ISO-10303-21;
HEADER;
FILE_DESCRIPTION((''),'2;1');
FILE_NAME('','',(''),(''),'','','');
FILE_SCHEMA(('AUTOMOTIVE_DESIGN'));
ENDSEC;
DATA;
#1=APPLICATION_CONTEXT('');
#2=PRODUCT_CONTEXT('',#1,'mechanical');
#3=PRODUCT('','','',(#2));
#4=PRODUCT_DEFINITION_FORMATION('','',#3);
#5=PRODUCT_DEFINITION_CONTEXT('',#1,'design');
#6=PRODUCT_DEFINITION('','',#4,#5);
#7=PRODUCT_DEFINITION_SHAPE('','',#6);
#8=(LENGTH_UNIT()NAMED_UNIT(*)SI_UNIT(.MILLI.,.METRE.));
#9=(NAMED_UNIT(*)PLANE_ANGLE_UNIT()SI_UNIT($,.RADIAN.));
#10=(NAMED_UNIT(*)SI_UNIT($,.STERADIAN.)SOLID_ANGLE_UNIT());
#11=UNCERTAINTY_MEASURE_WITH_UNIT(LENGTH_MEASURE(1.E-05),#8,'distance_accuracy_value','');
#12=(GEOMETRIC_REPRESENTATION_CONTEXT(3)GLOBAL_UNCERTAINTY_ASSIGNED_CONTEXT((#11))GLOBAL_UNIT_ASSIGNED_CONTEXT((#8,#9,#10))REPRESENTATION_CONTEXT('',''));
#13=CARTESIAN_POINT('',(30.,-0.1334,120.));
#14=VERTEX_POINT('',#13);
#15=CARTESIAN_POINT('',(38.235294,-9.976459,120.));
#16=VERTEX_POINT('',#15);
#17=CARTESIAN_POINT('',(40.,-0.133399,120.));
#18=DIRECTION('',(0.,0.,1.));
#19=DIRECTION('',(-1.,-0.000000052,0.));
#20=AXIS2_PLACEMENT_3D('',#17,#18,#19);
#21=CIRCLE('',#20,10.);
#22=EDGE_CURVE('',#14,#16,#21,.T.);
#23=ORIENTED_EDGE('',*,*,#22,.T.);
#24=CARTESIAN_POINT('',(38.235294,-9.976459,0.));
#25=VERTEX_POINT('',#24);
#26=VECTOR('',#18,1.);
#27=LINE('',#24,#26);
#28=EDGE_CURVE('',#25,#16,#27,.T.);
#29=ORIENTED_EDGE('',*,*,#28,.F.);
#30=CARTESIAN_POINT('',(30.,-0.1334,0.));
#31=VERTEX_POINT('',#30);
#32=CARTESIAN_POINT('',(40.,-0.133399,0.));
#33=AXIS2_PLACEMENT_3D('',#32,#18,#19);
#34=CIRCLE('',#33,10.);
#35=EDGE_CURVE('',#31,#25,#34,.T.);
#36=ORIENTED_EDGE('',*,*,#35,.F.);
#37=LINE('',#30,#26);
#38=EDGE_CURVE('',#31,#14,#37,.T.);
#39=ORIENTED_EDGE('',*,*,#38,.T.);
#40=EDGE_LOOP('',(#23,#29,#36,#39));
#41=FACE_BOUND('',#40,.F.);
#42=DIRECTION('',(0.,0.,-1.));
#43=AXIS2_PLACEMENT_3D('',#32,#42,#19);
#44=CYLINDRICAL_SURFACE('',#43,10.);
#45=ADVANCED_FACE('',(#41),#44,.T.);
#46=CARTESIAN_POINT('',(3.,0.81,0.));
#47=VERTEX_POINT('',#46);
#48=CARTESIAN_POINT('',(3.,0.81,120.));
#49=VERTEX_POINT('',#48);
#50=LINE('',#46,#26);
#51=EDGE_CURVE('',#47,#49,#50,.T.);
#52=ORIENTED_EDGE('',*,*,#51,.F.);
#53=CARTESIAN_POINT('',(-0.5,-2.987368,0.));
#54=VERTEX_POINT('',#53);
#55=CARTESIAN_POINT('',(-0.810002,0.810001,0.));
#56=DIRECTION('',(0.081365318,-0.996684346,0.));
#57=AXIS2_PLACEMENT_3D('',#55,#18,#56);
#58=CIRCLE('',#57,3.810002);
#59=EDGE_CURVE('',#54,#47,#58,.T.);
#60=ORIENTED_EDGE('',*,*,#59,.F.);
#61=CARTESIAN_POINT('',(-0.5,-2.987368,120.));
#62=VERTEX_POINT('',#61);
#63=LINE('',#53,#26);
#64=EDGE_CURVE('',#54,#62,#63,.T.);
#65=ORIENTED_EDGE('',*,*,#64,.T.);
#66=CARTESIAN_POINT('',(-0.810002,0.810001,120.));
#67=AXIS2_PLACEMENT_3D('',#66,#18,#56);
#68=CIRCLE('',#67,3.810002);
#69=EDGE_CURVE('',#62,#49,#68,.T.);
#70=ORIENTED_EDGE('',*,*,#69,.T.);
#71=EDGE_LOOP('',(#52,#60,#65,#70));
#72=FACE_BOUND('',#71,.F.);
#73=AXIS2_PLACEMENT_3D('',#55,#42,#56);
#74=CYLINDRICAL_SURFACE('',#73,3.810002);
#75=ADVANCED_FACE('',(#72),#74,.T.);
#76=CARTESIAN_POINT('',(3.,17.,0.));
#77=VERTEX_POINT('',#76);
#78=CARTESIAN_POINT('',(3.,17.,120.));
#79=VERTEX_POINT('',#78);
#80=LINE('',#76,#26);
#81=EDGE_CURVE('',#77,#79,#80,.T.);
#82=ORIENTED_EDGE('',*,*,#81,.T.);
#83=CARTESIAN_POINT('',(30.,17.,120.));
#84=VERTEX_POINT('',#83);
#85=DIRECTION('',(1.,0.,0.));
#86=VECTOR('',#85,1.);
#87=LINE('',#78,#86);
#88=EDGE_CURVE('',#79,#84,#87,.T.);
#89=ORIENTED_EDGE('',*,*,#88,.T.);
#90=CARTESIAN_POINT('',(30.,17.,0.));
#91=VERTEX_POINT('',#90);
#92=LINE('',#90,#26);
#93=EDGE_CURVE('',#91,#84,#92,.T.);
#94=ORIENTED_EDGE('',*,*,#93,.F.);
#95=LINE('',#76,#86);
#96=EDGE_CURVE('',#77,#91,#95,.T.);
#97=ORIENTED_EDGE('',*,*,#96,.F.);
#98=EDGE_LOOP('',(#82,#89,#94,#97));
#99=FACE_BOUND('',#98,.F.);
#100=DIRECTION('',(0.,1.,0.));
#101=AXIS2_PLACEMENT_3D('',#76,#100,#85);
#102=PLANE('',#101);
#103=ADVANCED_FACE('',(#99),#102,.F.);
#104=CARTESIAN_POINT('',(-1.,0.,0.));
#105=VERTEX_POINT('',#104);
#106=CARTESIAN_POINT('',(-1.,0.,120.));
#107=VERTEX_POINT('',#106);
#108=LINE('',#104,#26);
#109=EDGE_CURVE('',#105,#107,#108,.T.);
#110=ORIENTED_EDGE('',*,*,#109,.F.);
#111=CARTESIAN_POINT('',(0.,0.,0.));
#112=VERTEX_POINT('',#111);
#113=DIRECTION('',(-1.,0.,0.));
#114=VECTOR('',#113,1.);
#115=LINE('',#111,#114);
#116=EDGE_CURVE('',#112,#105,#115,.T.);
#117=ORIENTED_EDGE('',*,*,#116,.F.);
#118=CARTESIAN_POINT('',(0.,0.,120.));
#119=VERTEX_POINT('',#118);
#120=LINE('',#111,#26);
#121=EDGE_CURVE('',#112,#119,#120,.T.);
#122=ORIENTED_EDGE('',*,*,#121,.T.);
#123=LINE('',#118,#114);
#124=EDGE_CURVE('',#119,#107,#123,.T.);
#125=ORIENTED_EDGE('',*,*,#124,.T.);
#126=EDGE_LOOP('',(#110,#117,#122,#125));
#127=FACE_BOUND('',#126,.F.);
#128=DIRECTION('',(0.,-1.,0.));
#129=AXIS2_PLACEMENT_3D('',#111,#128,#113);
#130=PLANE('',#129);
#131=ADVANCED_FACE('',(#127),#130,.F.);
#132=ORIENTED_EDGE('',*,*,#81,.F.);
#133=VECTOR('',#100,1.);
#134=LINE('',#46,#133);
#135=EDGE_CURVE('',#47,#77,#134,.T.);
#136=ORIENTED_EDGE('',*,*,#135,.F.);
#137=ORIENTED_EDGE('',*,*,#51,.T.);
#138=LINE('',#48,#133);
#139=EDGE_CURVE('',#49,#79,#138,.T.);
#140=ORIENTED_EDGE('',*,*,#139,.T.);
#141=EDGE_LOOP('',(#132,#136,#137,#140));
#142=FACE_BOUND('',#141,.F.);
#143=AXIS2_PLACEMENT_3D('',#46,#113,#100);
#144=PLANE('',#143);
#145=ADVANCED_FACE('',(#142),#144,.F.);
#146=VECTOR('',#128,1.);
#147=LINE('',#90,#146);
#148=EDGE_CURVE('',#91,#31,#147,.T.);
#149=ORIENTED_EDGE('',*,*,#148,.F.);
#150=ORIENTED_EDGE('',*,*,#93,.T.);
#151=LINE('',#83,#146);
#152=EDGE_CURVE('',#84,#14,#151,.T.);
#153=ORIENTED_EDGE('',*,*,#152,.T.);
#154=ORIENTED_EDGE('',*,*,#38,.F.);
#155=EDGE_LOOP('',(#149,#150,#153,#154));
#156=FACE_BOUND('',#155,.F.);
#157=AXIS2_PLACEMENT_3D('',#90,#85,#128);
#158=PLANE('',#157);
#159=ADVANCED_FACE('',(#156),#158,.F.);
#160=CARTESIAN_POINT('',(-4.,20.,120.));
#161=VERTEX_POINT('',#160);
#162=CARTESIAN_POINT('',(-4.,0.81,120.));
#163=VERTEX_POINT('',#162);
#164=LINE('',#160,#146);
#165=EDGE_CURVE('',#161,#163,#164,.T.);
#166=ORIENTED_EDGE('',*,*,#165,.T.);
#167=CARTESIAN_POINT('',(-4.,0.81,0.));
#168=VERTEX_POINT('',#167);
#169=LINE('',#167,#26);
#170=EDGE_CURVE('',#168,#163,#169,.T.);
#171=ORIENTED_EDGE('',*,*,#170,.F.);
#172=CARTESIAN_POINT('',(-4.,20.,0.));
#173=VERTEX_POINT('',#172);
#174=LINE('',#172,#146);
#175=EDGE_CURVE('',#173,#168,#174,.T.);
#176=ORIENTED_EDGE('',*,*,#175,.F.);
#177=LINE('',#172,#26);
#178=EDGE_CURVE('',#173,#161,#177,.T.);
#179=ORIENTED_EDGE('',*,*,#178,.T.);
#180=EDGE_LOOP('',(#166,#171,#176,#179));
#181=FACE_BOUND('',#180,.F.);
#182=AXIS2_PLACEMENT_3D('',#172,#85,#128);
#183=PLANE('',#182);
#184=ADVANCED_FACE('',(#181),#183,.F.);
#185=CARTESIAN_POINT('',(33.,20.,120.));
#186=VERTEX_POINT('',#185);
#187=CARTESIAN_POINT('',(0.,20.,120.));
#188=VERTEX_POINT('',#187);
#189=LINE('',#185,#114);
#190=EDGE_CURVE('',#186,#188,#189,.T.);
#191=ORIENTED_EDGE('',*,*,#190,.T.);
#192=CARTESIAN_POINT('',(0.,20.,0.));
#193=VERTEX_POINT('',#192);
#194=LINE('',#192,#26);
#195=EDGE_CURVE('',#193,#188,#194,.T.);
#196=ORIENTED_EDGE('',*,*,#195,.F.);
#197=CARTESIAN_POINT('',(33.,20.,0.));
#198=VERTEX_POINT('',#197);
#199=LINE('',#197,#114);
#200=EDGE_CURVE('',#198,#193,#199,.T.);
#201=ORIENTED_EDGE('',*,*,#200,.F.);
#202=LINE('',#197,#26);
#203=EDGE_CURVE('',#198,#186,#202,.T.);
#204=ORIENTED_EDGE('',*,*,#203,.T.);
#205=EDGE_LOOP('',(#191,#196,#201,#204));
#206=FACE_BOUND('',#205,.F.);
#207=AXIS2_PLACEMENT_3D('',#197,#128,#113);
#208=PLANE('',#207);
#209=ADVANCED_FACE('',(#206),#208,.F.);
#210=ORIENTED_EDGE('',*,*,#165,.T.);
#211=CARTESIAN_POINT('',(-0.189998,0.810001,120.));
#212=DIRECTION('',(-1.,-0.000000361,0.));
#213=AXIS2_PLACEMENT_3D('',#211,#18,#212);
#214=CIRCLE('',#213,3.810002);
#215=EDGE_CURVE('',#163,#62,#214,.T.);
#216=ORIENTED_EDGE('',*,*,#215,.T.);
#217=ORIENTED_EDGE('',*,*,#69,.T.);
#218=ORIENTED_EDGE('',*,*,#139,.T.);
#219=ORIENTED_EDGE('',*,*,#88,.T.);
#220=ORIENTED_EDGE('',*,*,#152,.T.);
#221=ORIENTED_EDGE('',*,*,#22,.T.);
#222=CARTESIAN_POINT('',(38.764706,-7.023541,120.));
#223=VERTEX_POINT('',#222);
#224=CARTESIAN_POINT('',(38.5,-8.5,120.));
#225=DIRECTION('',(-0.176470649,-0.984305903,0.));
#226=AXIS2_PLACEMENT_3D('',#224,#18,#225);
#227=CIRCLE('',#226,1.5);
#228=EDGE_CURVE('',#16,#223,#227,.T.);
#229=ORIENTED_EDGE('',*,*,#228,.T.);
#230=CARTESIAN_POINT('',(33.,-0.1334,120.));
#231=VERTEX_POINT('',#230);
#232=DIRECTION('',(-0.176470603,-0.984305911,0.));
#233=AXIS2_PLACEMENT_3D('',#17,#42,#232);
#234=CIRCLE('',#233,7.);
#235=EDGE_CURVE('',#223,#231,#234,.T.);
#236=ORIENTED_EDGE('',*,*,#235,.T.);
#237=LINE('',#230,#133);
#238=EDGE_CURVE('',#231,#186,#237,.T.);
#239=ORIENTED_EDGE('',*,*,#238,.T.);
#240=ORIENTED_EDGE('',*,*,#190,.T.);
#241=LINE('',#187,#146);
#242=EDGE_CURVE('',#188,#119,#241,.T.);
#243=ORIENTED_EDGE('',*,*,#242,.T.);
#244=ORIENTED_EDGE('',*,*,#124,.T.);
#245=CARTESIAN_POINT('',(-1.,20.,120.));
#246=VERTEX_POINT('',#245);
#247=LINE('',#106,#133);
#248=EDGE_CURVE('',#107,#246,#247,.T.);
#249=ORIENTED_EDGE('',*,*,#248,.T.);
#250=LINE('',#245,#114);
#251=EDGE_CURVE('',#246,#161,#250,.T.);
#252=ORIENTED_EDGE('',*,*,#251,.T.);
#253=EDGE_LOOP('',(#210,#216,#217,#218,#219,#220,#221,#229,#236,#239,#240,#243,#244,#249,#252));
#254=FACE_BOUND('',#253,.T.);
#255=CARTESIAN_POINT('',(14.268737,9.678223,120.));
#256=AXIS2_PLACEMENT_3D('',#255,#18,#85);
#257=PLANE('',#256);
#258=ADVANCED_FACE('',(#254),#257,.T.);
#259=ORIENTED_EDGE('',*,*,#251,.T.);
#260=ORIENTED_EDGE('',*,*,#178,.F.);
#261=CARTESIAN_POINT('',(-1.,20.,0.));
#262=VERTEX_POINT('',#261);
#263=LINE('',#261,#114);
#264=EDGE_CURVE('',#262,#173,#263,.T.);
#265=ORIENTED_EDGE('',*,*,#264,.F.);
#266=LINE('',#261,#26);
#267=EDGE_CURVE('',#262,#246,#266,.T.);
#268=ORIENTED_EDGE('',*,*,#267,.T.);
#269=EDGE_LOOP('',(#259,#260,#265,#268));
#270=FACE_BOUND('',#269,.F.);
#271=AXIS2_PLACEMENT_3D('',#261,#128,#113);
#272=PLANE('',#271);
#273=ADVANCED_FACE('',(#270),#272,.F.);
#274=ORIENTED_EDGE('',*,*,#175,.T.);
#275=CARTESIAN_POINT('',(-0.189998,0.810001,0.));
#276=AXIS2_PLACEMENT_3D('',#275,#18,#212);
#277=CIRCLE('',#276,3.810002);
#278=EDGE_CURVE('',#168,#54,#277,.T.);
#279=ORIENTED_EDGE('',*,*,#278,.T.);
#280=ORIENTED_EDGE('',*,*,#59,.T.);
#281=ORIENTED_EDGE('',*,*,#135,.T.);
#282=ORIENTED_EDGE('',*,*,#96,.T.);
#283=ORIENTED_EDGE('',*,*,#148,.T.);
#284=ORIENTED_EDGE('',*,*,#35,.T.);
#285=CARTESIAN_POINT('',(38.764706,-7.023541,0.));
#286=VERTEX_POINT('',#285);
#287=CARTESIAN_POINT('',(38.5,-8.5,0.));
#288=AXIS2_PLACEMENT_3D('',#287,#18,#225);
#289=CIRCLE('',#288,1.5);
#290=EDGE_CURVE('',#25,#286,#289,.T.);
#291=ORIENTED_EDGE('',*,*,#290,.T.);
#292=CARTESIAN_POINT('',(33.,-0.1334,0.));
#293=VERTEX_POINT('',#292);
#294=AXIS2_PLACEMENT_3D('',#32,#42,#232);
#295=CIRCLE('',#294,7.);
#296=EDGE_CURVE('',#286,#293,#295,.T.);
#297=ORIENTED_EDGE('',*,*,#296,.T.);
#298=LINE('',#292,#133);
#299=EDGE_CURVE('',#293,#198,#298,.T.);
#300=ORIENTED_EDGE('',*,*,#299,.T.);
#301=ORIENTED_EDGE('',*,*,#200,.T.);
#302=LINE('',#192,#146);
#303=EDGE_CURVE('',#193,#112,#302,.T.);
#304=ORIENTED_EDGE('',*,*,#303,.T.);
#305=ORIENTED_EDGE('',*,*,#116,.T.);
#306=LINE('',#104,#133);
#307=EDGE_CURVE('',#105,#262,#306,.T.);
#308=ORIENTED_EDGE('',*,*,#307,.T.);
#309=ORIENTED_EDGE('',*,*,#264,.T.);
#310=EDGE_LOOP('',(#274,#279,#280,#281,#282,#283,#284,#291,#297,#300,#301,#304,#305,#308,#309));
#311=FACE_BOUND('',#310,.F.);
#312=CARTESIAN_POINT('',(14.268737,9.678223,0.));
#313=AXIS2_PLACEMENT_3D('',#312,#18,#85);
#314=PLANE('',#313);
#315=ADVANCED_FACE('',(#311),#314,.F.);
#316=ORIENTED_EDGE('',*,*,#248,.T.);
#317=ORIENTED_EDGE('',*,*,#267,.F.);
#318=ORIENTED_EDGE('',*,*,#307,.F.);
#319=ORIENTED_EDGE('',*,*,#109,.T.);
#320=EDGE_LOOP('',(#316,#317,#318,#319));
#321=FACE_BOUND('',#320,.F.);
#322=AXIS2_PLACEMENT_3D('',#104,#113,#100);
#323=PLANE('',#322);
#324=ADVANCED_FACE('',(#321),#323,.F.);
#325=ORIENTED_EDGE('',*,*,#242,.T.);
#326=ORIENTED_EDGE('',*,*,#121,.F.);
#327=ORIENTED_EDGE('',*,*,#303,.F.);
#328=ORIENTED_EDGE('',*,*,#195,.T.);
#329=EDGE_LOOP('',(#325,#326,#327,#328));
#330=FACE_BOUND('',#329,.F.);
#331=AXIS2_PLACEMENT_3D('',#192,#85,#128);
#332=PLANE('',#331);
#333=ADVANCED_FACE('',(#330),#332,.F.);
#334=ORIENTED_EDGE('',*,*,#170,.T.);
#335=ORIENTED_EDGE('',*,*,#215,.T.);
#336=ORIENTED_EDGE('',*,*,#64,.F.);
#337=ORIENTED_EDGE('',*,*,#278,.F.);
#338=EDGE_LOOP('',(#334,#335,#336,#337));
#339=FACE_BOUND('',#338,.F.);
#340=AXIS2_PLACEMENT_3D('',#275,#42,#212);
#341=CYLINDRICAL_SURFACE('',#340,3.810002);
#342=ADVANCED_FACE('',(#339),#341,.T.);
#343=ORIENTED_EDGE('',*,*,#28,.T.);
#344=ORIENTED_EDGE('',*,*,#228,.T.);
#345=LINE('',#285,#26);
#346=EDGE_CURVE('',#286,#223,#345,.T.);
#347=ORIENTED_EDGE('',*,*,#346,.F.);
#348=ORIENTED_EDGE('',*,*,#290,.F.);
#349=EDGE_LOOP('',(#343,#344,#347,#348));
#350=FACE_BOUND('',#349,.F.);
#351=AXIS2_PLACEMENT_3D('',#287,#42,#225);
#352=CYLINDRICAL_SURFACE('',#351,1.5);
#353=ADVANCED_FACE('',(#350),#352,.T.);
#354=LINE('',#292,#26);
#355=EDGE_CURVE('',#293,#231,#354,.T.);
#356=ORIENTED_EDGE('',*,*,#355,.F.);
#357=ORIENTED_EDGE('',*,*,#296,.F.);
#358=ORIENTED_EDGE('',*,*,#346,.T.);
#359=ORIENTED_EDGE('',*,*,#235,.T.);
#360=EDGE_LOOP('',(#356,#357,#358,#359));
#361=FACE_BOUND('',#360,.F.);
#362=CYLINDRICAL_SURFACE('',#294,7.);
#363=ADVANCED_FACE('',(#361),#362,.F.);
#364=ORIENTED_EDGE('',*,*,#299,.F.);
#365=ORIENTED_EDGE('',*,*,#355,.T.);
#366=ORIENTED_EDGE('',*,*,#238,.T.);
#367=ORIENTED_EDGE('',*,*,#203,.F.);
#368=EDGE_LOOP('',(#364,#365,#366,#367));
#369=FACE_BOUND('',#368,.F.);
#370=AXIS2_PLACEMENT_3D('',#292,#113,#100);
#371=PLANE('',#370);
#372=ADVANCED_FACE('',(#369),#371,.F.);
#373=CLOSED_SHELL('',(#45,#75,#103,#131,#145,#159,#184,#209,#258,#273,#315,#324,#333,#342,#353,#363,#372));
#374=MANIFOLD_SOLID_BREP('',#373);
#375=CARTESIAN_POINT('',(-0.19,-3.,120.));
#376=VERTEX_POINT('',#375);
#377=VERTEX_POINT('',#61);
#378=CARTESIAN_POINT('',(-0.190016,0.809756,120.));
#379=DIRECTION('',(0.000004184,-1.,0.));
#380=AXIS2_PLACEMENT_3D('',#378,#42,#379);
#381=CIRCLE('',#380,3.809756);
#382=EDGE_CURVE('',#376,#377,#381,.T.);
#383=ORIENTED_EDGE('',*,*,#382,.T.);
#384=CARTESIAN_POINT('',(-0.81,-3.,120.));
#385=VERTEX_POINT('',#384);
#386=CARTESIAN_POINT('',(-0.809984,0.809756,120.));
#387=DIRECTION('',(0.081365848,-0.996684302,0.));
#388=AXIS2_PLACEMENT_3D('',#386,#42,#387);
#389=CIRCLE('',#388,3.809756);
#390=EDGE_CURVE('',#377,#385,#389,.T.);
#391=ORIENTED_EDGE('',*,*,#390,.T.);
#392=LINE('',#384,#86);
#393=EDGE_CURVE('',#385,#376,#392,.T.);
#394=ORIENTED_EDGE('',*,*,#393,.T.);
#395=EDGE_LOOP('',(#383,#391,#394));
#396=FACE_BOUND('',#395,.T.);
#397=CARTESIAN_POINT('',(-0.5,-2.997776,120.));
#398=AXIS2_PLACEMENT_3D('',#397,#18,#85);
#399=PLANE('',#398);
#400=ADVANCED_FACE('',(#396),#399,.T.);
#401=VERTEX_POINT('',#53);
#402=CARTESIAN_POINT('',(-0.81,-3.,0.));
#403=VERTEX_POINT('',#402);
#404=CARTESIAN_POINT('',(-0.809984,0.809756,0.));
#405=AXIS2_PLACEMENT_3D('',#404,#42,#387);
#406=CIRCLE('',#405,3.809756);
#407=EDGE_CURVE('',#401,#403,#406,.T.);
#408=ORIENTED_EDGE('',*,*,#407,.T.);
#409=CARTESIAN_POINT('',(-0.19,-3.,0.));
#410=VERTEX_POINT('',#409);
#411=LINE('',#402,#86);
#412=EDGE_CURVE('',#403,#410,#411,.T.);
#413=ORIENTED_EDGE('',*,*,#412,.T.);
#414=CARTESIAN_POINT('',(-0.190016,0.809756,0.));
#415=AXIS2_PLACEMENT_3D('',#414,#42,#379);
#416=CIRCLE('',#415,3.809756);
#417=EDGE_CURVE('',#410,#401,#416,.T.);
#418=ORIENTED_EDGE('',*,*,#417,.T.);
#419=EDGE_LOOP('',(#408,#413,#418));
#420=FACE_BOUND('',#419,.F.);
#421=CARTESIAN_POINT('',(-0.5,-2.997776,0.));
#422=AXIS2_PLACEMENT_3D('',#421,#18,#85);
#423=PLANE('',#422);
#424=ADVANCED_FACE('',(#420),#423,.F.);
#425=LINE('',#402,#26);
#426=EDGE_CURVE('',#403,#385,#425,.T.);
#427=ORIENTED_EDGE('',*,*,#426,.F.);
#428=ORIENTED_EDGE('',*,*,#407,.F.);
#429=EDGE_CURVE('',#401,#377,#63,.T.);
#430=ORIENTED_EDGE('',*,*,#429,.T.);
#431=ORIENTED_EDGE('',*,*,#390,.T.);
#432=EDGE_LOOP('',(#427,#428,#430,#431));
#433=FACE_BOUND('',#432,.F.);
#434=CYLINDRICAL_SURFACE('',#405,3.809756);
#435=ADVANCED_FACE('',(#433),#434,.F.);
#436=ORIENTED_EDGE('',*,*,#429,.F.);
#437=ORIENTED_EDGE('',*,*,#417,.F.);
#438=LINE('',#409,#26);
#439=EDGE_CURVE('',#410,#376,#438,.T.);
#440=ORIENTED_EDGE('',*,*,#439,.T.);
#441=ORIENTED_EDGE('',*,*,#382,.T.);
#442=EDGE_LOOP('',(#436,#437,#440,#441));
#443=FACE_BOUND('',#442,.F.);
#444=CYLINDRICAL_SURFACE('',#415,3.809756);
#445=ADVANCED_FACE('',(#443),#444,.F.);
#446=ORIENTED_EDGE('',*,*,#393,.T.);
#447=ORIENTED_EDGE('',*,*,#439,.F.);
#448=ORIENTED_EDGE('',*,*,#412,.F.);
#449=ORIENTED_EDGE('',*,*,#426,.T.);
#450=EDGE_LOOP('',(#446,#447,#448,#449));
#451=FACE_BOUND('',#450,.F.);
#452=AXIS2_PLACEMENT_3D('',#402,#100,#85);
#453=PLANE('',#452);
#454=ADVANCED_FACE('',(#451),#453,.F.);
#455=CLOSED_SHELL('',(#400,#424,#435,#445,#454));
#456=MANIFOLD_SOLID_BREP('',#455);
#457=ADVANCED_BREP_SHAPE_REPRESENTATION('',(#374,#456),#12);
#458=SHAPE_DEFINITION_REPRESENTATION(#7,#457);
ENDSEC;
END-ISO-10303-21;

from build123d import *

# Parameters (mm, degrees)
F1_DEPTH = 120


with BuildPart() as f1:
    # F0 (on Top) → F1 (new body)
    with BuildSketch(Plane.XY):
        with BuildLine():
            ThreePointArc((-0.19, -3), (-0.345129, -2.996841), (-0.5, -2.987368))
            ThreePointArc((-0.5, -2.987368), (-0.654871, -2.996841), (-0.81, -3))
            Line((-0.81, -3), (-0.19, -3))
        make_face()
        with BuildLine():
            Line((-1, 0), (-1, 20))
            Line((-1, 20), (-4, 20))
            Line((-4, 20), (-4, 0.81))
            ThreePointArc((-4, 0.81), (-2.991535, -1.77215), (-0.5, -2.987368))
            ThreePointArc((-0.5, -2.987368), (1.991535, -1.77215), (3, 0.81))
            Line((3, 0.81), (3, 17))
            Line((3, 17), (30, 17))
            Line((30, 17), (30, -0.1334))
            ThreePointArc((30, -0.1334), (32.33035, -6.550289), (38.235294, -9.976459))
            ThreePointArc((38.235294, -9.976459), (39.976459, -8.764706), (38.764706, -7.023541))
            ThreePointArc((38.764706, -7.023541), (34.631245, -4.625222), (33, -0.1334))
            Line((33, -0.1334), (33, 20))
            Line((33, 20), (0, 20))
            Line((0, 20), (0, 0))
            Line((0, 0), (-1, 0))
        make_face()
    extrude(amount=F1_DEPTH)


solid = f1.part
